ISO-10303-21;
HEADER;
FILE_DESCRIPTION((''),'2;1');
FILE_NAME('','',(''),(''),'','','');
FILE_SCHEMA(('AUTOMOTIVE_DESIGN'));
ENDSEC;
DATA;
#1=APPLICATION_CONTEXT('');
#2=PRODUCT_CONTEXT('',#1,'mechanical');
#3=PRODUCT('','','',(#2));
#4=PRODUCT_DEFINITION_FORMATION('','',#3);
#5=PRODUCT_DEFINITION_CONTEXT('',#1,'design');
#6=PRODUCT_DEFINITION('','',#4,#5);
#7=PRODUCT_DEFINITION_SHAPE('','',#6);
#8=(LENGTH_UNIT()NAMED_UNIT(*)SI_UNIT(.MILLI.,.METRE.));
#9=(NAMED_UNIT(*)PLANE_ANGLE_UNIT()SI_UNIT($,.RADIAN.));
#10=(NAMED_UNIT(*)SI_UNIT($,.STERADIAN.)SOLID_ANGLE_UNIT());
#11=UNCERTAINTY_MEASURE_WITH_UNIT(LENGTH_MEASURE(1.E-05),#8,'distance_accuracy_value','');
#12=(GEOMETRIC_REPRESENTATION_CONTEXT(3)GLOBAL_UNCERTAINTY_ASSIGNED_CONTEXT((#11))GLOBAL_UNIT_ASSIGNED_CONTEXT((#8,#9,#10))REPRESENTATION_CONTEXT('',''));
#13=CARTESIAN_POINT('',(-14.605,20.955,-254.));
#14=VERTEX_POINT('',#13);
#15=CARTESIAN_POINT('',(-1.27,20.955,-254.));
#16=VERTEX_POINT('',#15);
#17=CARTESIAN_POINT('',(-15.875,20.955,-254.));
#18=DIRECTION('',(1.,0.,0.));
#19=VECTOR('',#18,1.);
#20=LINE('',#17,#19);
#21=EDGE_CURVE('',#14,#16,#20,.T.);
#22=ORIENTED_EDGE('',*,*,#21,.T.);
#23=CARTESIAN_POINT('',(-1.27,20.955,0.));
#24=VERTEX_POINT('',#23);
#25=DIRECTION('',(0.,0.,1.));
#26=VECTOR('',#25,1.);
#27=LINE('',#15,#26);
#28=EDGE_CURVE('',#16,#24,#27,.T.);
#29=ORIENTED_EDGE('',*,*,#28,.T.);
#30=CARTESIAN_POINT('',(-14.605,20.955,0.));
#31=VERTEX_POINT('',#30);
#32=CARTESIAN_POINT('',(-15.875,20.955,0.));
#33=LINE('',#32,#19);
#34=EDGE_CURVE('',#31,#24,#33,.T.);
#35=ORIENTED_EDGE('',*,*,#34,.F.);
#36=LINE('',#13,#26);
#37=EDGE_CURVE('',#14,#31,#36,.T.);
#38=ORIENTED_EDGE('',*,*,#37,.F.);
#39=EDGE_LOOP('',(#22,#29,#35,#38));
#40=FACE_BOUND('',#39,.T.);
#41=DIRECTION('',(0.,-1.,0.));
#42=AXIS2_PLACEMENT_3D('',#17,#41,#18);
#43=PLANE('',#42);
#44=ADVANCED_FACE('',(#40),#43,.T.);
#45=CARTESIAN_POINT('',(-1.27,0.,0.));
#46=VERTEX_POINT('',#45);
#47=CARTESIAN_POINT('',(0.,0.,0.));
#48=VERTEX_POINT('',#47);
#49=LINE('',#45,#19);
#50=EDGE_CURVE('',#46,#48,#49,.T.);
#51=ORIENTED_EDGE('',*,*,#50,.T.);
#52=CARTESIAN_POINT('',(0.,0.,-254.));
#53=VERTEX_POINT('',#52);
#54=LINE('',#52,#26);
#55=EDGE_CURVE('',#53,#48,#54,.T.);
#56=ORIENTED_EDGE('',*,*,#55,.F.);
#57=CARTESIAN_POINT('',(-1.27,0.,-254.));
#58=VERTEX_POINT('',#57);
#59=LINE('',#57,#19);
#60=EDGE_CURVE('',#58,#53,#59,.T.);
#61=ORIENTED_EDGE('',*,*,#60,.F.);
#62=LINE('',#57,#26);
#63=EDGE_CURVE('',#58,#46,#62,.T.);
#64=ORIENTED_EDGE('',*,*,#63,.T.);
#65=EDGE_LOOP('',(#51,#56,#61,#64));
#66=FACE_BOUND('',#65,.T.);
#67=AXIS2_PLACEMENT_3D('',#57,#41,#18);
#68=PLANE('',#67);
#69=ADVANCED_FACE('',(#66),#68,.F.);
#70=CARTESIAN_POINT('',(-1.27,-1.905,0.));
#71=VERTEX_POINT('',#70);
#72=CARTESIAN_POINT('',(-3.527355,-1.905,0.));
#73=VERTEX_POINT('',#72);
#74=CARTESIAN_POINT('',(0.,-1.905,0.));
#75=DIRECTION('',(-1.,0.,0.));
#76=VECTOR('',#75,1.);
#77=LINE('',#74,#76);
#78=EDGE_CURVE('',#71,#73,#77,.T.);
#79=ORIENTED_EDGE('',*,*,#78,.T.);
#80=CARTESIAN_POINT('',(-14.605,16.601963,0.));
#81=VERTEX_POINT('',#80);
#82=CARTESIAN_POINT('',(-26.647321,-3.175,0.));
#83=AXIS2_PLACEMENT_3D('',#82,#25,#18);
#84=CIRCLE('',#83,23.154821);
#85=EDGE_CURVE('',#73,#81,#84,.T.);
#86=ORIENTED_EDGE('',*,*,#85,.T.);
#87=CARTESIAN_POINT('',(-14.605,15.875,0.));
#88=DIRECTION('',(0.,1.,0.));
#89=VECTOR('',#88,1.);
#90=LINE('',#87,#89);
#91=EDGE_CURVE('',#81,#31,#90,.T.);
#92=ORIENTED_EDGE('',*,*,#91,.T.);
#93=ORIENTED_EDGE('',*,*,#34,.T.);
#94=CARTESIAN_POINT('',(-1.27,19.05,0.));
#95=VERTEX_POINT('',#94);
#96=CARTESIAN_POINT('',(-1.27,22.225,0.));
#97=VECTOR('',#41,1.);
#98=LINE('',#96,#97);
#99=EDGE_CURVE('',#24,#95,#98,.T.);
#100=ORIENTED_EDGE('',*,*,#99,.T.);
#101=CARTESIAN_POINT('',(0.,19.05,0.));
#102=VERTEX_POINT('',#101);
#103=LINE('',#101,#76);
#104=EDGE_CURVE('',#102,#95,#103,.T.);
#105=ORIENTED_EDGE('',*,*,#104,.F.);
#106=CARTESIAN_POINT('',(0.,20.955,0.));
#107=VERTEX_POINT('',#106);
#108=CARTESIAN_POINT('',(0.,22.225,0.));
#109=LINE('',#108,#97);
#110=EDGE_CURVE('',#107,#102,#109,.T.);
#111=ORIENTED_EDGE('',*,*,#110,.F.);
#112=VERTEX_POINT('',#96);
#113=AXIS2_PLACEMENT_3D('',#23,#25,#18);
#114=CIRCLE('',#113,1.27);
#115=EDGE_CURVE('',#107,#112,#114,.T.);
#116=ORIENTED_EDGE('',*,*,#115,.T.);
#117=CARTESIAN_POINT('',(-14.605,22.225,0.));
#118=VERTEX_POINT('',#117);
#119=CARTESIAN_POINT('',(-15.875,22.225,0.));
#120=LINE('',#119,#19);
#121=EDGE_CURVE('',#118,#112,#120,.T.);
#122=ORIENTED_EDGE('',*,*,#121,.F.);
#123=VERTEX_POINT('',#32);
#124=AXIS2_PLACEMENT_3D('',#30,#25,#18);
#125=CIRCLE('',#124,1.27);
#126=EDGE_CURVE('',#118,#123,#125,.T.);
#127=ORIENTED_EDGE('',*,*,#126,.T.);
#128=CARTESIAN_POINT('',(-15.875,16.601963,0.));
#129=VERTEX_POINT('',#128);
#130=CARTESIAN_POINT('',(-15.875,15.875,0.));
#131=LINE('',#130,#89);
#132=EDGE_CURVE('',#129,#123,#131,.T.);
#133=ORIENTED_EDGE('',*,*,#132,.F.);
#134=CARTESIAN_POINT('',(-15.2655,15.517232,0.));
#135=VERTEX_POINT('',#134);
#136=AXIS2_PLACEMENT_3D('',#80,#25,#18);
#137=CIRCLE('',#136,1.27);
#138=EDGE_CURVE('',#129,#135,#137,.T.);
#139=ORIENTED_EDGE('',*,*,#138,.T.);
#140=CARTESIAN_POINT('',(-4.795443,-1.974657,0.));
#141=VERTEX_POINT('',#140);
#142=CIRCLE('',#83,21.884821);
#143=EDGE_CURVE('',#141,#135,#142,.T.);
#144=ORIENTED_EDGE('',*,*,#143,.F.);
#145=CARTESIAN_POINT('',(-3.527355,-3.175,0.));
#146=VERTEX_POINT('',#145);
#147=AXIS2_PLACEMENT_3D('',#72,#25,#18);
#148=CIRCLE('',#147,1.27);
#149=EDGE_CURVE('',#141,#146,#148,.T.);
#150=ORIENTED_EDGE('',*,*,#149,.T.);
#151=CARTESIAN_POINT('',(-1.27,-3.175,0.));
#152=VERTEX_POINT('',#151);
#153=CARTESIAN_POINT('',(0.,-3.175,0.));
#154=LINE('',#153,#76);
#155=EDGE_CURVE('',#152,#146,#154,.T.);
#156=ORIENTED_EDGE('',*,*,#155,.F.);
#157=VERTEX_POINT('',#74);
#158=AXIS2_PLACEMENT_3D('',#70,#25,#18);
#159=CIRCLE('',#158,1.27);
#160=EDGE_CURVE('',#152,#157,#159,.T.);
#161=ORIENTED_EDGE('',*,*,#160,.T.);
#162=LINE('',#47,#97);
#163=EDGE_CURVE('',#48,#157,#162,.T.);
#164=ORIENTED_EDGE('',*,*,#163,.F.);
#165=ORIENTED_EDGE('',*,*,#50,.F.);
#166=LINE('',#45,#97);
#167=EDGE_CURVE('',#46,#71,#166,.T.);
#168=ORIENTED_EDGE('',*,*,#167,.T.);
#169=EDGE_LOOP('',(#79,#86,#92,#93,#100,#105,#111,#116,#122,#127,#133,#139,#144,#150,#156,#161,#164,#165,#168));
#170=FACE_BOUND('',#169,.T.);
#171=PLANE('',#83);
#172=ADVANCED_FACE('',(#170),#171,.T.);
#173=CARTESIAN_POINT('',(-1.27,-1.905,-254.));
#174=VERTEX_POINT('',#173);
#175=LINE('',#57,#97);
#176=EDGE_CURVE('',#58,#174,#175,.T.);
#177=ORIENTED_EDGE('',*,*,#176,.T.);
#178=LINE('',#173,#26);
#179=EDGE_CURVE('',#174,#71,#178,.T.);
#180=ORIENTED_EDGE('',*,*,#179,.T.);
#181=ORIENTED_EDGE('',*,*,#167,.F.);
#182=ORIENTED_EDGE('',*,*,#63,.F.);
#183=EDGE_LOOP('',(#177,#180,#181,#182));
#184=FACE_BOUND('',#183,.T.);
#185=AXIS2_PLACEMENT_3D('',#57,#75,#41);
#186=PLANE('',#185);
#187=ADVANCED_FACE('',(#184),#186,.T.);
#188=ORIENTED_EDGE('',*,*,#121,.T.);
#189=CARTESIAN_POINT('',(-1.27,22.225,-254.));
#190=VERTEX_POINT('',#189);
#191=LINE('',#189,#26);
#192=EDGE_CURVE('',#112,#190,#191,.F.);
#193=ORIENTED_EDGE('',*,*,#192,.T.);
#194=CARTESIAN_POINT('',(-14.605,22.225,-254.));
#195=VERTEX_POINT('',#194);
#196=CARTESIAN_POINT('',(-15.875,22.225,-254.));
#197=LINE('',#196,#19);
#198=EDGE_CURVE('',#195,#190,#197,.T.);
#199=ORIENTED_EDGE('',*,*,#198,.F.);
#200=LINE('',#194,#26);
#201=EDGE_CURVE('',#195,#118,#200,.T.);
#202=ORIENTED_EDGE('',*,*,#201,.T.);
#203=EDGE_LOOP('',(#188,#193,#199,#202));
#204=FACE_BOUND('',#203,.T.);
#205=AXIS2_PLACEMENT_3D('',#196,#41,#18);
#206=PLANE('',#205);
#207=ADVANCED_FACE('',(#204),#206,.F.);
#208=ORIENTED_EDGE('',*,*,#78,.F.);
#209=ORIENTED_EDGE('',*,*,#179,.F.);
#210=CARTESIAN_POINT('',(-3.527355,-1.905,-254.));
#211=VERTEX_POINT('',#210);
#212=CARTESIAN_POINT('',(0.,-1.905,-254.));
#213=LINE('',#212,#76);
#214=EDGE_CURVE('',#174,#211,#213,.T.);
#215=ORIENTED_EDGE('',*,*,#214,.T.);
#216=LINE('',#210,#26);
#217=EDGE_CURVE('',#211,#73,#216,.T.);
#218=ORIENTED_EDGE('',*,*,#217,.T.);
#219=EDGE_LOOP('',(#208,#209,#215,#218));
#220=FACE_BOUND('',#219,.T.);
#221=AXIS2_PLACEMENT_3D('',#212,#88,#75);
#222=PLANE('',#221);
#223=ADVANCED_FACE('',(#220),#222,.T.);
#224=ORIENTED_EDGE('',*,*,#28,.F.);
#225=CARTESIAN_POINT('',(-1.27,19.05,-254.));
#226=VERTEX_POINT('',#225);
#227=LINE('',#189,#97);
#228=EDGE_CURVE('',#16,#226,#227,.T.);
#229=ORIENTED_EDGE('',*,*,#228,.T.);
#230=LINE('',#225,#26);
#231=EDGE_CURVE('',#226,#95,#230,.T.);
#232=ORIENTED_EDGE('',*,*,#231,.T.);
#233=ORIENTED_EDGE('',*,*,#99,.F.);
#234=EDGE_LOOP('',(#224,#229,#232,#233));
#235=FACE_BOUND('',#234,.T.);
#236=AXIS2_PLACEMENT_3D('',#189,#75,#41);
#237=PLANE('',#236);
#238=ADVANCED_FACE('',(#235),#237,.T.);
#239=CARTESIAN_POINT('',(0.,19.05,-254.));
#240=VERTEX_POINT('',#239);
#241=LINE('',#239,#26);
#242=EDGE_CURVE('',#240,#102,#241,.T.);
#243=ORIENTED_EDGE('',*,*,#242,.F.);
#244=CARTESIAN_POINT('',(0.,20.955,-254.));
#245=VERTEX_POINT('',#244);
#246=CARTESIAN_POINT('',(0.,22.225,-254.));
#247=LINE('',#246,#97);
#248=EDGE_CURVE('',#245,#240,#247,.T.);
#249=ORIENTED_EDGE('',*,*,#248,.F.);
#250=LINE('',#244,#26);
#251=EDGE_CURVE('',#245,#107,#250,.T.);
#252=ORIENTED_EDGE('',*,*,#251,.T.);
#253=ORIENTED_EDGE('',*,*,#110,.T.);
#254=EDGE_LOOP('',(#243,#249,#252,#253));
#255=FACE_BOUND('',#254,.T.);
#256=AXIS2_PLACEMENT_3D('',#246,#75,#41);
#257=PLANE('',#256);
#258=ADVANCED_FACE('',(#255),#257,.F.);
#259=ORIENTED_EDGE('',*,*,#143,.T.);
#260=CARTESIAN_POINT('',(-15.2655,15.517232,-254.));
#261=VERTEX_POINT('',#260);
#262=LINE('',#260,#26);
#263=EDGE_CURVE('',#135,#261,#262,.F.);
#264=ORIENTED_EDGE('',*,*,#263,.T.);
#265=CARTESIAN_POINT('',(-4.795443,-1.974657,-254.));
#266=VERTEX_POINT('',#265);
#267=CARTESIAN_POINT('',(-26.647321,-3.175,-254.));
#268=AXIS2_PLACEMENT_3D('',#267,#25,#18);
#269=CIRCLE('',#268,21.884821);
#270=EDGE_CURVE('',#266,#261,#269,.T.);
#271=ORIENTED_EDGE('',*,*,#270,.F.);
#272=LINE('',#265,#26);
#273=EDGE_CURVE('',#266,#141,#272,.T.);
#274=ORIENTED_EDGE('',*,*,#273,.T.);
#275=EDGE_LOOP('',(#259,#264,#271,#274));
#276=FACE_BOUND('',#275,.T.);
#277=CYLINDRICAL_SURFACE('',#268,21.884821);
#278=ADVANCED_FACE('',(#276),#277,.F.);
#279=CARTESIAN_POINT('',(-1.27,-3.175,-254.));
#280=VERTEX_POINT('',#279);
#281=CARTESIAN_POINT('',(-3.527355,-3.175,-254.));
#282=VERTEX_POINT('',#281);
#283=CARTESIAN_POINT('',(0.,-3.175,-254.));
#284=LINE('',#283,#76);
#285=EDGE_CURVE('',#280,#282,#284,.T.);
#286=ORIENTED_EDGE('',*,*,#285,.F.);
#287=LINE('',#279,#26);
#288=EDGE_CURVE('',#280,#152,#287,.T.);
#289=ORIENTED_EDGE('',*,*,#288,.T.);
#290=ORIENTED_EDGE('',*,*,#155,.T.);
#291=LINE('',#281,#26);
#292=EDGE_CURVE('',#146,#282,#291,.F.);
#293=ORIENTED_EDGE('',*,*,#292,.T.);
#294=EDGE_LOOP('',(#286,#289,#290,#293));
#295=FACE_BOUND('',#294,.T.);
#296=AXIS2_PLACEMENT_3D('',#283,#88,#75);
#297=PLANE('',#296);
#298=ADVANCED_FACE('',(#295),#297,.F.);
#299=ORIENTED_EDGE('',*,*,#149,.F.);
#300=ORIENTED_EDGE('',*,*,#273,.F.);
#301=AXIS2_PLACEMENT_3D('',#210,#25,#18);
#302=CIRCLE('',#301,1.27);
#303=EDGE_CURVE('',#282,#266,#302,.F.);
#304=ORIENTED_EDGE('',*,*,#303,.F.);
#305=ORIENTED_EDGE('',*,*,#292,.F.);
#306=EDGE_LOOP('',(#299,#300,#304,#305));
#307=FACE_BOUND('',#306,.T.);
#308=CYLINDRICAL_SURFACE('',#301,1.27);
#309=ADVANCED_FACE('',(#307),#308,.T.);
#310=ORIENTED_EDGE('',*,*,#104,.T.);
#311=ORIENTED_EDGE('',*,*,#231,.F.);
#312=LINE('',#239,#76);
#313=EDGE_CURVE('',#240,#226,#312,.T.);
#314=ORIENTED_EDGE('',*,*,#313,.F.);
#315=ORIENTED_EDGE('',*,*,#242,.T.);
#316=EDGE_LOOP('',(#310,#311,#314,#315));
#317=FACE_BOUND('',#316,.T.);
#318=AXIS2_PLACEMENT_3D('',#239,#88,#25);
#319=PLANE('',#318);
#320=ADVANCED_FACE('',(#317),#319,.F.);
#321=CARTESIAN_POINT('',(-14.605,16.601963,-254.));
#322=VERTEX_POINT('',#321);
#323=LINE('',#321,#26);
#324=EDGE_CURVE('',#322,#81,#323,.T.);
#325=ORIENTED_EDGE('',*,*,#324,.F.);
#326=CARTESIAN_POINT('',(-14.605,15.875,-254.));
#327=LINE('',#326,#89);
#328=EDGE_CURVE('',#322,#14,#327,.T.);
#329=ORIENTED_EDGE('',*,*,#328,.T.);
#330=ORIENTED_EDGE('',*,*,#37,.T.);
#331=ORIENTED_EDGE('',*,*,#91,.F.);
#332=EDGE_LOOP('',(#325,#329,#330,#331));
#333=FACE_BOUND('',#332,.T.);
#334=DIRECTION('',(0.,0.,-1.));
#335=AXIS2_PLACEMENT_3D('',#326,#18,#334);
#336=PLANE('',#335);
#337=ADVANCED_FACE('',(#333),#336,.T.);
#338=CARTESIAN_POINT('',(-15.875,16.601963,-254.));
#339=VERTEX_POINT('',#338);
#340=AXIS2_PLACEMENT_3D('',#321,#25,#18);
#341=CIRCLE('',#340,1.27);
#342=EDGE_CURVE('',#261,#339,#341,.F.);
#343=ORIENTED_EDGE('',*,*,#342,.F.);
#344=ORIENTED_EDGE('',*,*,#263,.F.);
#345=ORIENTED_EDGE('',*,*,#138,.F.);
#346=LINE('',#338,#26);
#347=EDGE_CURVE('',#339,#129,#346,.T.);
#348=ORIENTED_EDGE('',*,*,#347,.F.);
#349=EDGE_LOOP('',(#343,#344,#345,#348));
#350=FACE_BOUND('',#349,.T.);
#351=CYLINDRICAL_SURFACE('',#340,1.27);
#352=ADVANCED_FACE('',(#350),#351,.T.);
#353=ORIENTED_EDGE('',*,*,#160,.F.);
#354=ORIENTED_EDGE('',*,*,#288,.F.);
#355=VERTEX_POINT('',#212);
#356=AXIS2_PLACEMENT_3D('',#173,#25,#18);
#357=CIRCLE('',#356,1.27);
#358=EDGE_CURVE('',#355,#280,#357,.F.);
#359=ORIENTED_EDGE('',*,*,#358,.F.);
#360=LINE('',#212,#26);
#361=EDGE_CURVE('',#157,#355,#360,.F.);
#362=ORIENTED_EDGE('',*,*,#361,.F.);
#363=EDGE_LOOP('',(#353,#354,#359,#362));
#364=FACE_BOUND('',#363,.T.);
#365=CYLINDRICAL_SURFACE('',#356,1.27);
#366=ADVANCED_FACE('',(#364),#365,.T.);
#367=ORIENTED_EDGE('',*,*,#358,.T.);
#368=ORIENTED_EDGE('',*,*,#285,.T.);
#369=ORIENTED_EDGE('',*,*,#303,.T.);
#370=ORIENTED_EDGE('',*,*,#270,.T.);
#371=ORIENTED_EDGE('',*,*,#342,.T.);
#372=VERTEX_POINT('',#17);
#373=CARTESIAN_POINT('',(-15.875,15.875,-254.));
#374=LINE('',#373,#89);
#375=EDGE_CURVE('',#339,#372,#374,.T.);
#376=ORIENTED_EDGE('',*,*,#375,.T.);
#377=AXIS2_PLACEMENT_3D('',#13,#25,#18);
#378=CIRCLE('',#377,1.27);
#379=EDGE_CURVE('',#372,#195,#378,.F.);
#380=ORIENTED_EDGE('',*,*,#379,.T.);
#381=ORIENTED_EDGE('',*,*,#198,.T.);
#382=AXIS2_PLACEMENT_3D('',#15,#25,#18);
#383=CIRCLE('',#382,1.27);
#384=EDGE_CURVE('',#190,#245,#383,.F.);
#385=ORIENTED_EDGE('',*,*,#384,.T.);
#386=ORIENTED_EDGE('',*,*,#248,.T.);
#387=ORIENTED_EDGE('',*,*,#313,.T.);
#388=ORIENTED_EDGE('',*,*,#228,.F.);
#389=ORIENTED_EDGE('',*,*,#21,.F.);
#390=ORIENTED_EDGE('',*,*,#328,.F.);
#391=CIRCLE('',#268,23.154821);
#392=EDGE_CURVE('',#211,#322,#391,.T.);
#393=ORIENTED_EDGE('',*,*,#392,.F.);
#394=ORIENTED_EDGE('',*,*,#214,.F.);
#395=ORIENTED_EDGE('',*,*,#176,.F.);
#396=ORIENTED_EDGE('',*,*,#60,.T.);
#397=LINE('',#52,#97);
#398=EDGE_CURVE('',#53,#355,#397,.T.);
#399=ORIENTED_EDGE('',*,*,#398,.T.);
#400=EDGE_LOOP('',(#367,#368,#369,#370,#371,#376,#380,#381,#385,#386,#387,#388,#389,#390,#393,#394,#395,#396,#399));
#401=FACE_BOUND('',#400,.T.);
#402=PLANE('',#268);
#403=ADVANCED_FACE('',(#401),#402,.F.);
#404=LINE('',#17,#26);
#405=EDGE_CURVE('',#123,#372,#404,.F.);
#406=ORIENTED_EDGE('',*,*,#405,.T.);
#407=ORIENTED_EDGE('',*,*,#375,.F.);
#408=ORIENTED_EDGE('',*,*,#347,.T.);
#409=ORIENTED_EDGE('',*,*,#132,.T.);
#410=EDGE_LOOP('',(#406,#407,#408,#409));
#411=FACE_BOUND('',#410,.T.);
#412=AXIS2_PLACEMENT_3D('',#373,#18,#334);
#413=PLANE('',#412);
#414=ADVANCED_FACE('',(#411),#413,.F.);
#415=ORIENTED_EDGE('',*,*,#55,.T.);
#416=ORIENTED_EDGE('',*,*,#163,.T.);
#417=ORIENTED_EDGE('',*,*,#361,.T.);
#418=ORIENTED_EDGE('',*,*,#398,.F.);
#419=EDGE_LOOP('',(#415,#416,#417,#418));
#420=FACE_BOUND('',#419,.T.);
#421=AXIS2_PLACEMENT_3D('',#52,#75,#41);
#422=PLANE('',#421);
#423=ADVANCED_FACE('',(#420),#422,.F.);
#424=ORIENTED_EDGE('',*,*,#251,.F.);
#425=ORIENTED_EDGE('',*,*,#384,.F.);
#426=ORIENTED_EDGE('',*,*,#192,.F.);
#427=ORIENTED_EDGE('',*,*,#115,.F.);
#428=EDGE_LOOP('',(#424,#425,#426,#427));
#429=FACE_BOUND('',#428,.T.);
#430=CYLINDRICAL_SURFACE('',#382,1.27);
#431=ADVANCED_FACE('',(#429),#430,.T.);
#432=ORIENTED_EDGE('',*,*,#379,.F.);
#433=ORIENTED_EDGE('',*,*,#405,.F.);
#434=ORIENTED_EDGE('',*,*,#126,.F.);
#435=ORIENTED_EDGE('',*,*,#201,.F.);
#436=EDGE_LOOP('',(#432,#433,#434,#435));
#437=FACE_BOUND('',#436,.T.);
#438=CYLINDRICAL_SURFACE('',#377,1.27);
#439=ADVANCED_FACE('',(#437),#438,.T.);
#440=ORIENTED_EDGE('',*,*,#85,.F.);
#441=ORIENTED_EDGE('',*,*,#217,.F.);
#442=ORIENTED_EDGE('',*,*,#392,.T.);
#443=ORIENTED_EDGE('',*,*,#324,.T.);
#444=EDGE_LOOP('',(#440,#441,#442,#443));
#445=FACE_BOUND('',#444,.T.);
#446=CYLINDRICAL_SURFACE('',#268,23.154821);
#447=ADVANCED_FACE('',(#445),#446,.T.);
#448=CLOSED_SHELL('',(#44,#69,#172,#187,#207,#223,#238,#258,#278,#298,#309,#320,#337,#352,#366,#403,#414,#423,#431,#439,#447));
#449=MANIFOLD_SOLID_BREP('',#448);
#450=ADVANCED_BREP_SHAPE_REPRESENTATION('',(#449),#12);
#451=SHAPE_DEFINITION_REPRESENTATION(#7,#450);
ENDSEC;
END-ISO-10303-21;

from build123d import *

# Parameters (mm, degrees)
EXTRUDE_THIN1_DEPTH = 254
FILLET1_R           = 1.27


with BuildPart() as part:
    # Sketch1 → Extrude-Thin1 (new body)
    with BuildSketch(Plane.XY):
        with BuildLine():
            Line((0, 0), (0, -3.175))
            Line((0, -3.175), (-4.7625, -3.175))
            ThreePointArc((-4.7625, -3.175), (-7.743674429, 7.852127417), (-15.875, 15.875))
            Line((-15.875, 15.875), (-15.875, 22.225))
            Line((-15.875, 22.225), (0, 22.225))
            Line((0, 22.225), (0, 19.05))
            Line((0, 19.05), (-1.27, 19.05))
            Line((-1.27, 19.05), (-1.27, 20.955))
            Line((-1.27, 20.955), (-14.605, 20.955))
            Line((-14.605, 20.955), (-14.605, 16.601962608))
            ThreePointArc((-14.605, 16.601962608), (-6.779670812, 8.71710723), (-3.527354833, -1.905))
            Line((-3.527354833, -1.905), (-1.27, -1.905))
            Line((-1.27, -1.905), (-1.27, 0))
            Line((-1.27, 0), (0, 0))
        make_face()
    extrude(amount=-EXTRUDE_THIN1_DEPTH)

    # Fillet1
    fillet1_edges = [part.edges().sort_by_distance(p)[0] for p in [
        (0, -3.175, -127),
        (-4.7625, -3.175, -127),
        (-15.875, 15.875, -127),
        (-15.875, 22.225, -127),
        (0, 22.225, -127),
    ]]
    fillet(fillet1_edges, radius=FILLET1_R)


solid = part.part
